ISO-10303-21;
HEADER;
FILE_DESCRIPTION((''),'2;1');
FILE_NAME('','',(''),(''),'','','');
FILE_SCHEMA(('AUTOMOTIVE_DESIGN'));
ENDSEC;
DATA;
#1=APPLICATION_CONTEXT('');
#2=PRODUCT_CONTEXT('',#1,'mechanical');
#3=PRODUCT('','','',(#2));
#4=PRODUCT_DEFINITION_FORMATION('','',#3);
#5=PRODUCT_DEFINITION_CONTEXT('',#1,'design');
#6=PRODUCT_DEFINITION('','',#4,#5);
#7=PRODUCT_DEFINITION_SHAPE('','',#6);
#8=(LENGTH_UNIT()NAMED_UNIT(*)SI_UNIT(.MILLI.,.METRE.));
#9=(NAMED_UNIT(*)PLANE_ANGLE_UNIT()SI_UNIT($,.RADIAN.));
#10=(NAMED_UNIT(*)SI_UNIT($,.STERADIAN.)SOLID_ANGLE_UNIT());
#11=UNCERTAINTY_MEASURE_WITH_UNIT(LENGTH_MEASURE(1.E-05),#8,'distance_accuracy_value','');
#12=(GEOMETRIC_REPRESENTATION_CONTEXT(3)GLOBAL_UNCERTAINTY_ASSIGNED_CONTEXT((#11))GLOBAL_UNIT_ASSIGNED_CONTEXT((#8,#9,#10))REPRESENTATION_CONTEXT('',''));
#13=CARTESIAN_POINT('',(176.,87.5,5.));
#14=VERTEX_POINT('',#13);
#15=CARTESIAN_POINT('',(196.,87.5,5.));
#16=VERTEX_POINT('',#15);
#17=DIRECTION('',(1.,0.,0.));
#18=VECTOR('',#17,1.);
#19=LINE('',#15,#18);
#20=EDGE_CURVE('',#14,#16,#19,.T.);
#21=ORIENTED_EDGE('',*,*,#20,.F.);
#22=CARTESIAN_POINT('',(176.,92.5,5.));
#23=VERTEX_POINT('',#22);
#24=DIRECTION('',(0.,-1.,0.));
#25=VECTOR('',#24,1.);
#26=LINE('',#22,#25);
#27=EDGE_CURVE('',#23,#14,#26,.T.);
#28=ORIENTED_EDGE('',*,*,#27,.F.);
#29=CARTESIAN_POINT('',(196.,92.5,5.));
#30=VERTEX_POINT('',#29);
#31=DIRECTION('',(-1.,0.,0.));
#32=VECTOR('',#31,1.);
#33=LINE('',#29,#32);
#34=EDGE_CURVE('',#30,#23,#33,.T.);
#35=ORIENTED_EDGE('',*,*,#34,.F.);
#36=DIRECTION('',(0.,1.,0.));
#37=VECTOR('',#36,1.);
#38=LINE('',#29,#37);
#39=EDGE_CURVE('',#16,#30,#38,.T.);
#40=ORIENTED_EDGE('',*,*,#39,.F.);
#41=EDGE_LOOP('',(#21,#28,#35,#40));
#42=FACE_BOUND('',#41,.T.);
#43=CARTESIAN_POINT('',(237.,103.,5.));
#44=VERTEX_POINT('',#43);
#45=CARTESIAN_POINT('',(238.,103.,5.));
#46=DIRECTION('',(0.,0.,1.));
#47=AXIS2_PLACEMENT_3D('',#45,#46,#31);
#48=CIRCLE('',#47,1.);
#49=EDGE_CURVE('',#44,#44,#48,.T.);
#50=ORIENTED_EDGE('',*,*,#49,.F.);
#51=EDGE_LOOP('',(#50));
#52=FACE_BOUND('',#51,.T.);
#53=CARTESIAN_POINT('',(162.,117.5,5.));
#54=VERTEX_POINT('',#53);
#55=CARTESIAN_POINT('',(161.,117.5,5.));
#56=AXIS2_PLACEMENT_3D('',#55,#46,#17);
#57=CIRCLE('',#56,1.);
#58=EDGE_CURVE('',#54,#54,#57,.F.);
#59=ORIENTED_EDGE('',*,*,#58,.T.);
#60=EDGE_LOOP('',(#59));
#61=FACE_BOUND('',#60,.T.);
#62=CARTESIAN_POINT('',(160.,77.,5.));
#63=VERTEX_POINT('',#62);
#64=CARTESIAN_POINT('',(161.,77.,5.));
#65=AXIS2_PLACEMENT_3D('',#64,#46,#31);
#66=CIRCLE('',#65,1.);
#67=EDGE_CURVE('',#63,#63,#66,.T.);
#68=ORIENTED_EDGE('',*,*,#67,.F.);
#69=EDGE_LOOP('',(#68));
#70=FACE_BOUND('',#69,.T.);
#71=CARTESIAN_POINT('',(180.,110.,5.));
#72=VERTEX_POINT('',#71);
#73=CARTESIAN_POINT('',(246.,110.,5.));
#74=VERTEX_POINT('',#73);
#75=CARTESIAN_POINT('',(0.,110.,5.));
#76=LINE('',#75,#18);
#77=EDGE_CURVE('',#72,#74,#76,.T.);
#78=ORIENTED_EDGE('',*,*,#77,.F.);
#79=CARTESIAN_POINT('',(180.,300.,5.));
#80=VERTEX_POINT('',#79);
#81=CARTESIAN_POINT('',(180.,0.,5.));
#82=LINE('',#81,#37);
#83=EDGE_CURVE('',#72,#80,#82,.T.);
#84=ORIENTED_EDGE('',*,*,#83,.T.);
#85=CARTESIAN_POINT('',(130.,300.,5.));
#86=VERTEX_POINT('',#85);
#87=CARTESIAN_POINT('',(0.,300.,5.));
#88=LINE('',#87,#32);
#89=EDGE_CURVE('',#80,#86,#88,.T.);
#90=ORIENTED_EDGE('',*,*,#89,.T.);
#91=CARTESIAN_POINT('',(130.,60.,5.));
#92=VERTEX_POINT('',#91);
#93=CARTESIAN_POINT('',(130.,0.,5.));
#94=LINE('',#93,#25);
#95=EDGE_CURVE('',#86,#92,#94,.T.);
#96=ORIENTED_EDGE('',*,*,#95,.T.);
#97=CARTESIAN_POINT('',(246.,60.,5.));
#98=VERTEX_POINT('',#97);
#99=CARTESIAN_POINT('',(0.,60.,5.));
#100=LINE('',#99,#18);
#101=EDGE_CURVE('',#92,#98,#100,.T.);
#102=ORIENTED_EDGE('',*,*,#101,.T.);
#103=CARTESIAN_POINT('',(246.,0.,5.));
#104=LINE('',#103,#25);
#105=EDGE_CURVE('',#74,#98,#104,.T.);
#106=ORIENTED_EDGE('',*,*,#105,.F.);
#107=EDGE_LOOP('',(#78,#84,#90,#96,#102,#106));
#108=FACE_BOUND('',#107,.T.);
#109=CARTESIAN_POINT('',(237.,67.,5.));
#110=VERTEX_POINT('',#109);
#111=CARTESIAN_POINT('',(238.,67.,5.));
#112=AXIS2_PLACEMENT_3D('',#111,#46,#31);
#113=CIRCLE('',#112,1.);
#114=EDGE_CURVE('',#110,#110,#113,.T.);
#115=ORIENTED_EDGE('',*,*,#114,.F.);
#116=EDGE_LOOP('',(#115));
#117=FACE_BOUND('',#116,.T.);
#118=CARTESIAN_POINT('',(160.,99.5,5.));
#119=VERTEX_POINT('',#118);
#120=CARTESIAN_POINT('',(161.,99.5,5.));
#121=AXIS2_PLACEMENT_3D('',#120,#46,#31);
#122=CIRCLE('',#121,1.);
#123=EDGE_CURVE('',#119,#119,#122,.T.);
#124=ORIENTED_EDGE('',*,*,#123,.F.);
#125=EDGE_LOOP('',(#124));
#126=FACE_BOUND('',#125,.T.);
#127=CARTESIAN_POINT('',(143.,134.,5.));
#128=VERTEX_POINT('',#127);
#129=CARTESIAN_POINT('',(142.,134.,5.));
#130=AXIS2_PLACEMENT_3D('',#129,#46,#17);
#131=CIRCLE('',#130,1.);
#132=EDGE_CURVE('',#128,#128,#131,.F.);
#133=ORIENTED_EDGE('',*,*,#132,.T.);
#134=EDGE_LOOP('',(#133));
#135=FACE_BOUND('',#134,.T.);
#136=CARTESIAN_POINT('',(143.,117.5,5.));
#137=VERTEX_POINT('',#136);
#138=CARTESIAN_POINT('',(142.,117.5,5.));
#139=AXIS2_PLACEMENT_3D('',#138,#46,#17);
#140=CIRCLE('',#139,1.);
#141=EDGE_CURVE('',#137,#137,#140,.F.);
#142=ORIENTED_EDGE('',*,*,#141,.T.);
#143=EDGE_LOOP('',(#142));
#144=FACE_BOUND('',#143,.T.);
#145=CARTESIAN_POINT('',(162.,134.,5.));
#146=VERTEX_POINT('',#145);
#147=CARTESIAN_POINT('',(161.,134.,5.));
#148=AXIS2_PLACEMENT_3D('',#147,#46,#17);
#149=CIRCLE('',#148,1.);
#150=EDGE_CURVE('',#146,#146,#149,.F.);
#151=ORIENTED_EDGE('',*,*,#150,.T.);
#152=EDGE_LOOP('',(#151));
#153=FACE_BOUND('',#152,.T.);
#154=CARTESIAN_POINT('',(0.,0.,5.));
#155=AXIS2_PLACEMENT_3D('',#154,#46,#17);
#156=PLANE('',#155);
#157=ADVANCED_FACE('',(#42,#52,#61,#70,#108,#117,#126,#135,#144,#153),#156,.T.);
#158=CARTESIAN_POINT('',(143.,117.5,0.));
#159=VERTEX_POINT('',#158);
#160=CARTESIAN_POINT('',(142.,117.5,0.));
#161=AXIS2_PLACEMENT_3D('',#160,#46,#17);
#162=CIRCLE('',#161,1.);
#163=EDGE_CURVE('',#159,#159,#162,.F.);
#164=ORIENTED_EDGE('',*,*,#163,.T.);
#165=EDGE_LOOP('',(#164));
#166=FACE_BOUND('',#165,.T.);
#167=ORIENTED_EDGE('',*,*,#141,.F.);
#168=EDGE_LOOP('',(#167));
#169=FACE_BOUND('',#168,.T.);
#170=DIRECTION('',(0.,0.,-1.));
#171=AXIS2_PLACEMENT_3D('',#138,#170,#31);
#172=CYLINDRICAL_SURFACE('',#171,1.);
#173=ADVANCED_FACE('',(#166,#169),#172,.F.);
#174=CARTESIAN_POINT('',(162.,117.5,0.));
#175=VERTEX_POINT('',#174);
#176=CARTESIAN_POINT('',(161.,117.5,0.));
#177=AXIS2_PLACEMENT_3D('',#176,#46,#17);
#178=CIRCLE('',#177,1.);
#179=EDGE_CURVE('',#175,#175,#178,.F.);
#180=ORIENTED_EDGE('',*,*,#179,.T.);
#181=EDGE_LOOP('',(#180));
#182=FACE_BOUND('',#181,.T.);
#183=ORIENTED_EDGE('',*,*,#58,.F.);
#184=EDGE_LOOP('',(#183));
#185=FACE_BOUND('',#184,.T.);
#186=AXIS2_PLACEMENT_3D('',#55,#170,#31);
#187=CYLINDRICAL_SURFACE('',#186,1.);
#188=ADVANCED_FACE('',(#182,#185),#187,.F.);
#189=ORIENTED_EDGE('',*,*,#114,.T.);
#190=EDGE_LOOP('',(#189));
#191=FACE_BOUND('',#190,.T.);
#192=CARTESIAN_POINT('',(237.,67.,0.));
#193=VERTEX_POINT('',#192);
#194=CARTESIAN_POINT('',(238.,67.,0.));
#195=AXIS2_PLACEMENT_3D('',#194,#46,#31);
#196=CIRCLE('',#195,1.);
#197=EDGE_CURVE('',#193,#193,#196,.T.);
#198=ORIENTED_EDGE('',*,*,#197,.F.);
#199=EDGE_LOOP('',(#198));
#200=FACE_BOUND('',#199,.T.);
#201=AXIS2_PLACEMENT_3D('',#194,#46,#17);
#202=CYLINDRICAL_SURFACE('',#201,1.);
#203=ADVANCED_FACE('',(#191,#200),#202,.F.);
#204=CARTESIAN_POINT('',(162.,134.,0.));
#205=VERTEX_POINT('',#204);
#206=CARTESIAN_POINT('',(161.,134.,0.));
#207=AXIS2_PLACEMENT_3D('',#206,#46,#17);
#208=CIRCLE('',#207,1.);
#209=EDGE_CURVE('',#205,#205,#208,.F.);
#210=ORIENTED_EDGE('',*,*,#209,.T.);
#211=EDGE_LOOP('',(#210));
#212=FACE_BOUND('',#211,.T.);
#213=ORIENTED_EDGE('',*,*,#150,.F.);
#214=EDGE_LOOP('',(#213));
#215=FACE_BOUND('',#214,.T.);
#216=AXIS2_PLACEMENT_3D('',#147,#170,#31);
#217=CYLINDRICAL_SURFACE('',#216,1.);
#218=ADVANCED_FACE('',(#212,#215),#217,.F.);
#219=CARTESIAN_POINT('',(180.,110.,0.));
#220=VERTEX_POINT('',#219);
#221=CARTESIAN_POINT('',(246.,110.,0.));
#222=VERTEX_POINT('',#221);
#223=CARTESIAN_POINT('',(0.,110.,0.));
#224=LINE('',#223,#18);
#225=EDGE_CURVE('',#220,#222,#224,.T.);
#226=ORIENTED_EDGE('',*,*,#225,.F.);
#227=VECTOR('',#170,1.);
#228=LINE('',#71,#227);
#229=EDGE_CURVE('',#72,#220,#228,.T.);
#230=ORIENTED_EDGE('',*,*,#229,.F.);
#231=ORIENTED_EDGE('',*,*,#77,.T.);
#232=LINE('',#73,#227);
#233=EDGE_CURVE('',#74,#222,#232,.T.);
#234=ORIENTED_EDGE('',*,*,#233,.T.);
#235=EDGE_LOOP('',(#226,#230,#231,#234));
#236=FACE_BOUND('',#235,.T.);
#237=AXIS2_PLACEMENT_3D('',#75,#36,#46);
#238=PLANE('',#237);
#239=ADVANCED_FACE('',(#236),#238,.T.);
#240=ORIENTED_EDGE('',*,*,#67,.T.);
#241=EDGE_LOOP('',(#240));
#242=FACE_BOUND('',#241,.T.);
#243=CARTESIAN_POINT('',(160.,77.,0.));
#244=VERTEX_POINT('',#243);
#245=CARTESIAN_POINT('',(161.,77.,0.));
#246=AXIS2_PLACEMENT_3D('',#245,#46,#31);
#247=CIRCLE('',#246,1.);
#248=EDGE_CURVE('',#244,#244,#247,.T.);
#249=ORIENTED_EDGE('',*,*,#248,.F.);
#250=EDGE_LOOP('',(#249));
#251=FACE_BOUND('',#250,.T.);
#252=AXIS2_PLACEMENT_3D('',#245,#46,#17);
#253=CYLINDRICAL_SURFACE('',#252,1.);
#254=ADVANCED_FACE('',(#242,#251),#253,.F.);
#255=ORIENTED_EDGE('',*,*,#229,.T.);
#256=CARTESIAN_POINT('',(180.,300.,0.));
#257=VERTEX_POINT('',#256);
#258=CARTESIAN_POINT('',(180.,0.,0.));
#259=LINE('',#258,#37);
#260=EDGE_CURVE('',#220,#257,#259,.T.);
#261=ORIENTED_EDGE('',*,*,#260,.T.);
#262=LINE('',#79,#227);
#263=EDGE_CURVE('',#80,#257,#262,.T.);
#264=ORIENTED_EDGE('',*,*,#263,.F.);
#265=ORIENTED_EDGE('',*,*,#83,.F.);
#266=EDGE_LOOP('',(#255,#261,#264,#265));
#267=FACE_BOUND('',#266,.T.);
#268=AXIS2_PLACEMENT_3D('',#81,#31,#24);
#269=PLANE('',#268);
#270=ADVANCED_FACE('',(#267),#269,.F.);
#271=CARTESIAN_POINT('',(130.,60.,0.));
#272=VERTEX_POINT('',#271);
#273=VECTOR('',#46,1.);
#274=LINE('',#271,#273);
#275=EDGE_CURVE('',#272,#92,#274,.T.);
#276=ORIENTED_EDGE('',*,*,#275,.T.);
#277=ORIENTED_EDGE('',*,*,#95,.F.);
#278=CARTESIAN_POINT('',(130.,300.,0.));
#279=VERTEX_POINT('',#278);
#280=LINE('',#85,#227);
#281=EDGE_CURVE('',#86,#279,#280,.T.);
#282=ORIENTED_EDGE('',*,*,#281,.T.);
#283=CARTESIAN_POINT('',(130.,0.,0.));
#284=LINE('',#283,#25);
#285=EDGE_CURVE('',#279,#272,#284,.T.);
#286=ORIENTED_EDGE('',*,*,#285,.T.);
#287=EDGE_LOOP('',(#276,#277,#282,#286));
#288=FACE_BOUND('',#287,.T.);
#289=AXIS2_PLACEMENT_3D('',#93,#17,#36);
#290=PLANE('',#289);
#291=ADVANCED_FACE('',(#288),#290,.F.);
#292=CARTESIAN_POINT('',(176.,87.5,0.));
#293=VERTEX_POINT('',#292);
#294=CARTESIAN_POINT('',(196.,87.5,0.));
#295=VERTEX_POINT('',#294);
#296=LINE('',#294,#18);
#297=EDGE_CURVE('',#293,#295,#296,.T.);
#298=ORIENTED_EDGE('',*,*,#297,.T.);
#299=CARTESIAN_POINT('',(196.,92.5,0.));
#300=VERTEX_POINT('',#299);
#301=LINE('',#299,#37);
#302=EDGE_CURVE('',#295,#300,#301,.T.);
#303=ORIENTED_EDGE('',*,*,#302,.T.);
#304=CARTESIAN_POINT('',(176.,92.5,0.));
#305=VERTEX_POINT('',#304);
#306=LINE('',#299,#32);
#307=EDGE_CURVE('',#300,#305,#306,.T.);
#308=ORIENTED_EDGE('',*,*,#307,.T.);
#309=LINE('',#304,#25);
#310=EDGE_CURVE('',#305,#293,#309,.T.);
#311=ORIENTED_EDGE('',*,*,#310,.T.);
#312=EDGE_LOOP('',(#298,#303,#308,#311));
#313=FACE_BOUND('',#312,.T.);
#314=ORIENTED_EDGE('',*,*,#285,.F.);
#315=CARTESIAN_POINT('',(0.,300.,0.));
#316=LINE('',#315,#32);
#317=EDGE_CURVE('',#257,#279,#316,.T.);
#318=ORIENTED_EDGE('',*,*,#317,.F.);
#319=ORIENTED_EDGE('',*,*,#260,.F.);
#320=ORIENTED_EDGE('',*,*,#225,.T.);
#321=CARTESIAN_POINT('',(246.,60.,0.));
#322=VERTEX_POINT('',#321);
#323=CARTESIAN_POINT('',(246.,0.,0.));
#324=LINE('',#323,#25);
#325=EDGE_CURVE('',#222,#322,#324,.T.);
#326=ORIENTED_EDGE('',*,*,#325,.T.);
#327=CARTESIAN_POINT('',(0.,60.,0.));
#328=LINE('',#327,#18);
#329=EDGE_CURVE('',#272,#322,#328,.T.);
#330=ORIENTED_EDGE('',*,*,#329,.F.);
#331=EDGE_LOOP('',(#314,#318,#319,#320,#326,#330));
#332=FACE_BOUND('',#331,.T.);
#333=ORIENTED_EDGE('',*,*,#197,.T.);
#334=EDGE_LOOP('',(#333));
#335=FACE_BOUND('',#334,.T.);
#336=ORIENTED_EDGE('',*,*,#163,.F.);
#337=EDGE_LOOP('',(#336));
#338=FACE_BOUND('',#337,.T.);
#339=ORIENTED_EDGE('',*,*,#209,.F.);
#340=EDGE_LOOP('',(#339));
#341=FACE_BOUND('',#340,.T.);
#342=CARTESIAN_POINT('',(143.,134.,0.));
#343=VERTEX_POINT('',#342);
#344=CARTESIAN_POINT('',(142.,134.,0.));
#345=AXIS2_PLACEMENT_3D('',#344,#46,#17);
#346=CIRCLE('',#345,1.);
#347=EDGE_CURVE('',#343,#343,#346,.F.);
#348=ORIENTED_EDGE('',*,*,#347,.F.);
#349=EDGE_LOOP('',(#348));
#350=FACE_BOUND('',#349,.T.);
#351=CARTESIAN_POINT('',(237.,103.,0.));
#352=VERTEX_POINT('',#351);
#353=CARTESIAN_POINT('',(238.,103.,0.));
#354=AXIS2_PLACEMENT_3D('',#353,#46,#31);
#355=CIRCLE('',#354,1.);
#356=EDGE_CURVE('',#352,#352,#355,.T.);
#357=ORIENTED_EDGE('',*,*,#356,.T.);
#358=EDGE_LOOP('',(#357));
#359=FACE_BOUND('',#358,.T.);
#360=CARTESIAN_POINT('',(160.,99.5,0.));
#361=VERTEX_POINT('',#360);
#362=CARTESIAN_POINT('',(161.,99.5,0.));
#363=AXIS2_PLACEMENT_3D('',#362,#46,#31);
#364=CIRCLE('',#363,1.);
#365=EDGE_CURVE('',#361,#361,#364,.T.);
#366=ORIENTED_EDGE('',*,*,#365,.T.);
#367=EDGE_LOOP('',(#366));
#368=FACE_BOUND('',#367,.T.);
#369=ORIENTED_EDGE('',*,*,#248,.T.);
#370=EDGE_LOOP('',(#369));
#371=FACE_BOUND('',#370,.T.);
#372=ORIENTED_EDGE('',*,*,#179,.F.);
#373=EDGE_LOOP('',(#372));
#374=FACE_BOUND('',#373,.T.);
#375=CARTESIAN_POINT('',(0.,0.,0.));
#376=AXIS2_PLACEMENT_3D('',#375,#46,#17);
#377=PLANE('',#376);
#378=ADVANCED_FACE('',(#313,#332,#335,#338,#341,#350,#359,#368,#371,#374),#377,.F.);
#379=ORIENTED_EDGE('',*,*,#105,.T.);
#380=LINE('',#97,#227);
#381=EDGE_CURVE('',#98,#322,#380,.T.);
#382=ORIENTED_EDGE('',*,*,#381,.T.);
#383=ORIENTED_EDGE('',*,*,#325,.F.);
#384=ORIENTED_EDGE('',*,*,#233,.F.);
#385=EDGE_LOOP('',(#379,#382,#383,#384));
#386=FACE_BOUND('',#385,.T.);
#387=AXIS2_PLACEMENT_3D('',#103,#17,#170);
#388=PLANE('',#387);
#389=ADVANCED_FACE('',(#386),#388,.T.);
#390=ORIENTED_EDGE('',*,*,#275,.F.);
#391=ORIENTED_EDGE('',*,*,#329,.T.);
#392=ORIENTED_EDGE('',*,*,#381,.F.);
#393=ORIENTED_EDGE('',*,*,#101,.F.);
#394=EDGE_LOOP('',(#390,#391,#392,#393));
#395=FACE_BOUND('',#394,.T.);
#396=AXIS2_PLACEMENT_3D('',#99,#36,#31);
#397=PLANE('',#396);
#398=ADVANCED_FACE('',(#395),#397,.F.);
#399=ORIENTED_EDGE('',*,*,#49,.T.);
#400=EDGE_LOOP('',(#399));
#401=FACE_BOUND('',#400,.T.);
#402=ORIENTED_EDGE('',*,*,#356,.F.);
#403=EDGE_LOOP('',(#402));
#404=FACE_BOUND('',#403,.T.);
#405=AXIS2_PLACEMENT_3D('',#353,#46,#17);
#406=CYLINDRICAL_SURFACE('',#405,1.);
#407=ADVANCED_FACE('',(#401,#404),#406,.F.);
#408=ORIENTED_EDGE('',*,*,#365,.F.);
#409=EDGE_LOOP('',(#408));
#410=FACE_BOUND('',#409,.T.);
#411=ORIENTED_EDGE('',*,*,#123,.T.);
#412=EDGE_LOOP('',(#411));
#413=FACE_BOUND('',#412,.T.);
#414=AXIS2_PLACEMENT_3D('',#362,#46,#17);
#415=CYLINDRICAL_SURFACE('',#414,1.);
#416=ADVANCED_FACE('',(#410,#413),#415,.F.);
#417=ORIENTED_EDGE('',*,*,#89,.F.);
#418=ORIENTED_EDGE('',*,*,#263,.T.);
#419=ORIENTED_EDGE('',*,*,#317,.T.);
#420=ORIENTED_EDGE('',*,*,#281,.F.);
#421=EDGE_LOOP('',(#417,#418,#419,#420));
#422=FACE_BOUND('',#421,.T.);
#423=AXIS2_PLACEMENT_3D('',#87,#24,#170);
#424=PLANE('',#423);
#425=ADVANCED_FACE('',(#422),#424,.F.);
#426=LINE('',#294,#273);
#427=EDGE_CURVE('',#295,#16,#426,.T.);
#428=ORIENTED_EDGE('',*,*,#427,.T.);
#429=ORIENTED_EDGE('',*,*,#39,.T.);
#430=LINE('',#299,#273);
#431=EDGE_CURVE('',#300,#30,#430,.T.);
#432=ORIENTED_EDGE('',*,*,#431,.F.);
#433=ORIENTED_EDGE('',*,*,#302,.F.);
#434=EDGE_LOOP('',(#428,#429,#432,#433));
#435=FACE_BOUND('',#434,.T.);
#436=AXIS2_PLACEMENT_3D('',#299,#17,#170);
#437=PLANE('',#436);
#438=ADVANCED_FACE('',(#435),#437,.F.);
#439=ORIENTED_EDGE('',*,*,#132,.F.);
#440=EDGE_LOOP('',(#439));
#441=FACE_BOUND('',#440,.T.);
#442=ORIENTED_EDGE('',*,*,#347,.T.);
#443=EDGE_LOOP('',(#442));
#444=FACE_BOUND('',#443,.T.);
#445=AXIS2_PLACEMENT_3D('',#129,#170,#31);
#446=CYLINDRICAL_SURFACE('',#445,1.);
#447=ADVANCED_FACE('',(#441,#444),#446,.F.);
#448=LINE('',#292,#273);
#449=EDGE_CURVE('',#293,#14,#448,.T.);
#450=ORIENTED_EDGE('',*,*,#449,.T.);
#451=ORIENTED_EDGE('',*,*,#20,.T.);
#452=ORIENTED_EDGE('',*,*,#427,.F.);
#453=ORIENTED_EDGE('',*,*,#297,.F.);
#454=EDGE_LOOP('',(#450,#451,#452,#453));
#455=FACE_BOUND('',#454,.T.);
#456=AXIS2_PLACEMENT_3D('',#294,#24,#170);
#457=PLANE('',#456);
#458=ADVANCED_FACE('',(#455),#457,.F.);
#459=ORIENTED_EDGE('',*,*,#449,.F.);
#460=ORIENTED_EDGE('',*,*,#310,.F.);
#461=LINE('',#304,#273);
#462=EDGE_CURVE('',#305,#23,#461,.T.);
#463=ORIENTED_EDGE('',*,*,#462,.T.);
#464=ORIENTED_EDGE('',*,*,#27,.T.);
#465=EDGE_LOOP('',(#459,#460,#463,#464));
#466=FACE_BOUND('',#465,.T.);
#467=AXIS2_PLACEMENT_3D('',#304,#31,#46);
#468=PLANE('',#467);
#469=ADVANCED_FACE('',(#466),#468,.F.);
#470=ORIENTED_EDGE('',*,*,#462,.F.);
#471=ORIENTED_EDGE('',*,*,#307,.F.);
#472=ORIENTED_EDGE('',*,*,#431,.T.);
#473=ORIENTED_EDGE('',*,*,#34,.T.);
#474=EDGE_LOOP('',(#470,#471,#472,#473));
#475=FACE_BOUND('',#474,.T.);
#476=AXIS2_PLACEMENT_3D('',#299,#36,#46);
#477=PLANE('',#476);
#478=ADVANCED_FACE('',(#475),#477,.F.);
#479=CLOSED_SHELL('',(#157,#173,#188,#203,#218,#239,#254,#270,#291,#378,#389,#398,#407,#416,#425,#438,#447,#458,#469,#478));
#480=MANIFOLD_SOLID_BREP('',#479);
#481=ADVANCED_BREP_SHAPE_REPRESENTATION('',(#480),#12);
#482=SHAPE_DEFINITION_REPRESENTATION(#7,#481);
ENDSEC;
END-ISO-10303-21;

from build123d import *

# Parameters (mm, degrees)
SKETCH1_W           = 66
SKETCH1_H           = 50
SKETCH1_R           = 1
BOSS_EXTRUDE1_DEPTH = 5
SKETCH2_R           = 1
CUT_EXTRUDE1_DEPTH  = 388.996134001
SKETCH3_R           = 1
SKETCH3_W           = 20
SKETCH3_H           = 5
CUT_EXTRUDE2_DEPTH  = 388.996134001
CUT_EXTRUDE3_DEPTH  = 388.996134001


with BuildPart() as part:
    # Sketch1 → Boss-Extrude1 (new body)
    # profile 1 of 3: a face of its own
    with BuildSketch(Plane.XY):
        with Locations((-33, 85)):
            Rectangle(SKETCH1_W, SKETCH1_H)
    # profile 2 of 3: a face of its own
    with BuildSketch(Plane.XY):
        Polygon((0, 60), (0, 0), (180, 0), (180, 60), (180, 110), (180, 300), (130, 300), (130, 150), (50, 150), (50, 300), (0, 300), (0, 110), align=None)
        with Locations((19, 117.5)):
            Circle(SKETCH1_R, mode=Mode.SUBTRACT)
        with Locations((38, 117.5)):
            Circle(SKETCH1_R, mode=Mode.SUBTRACT)
        with Locations((19, 134)):
            Circle(SKETCH1_R, mode=Mode.SUBTRACT)
        with Locations((38, 134)):
            Circle(SKETCH1_R, mode=Mode.SUBTRACT)
        with Locations((142, 117.5)):
            Circle(SKETCH1_R, mode=Mode.SUBTRACT)
        with Locations((161, 117.5)):
            Circle(SKETCH1_R, mode=Mode.SUBTRACT)
        with Locations((142, 134)):
            Circle(SKETCH1_R, mode=Mode.SUBTRACT)
        with Locations((161, 134)):
            Circle(SKETCH1_R, mode=Mode.SUBTRACT)
    # profile 3 of 3: a face of its own
    with BuildSketch(Plane.XY):
        with Locations((213, 85)):
            Rectangle(SKETCH1_W, SKETCH1_H)
    extrude(amount=BOSS_EXTRUDE1_DEPTH)

    # Sketch2 → Cut-Extrude1 (cut, through all)
    with BuildSketch(Plane.XY.offset(5)):
        with Locations((-58, 103)):
            Circle(SKETCH2_R)
        with Locations((-58, 67)):
            Circle(SKETCH2_R)
        with Locations(Location((238, 67, 0), (0, 0, 180))):
            Circle(SKETCH2_R)
        with Locations(Location((238, 103, 0), (0, 0, 180))):
            Circle(SKETCH2_R)
    extrude(amount=-CUT_EXTRUDE1_DEPTH, mode=Mode.SUBTRACT)

    # Sketch3 → Cut-Extrude2 (cut, through all)
    with BuildSketch(Plane.XY.offset(5)):
        with Locations((19, 77)):
            Circle(SKETCH3_R)
        with Locations((19, 99.5)):
            Circle(SKETCH3_R)
        with Locations(Location((161, 77, 0), (0, 0, 180))):
            Circle(SKETCH3_R)
        with Locations(Location((161, 99.5, 0), (0, 0, 180))):
            Circle(SKETCH3_R)
        with Locations((-6, 90)):
            Rectangle(SKETCH3_W, SKETCH3_H)
        with Locations((186, 90)):
            Rectangle(SKETCH3_W, SKETCH3_H)
    extrude(amount=-CUT_EXTRUDE2_DEPTH, mode=Mode.SUBTRACT)

    # Sketch4 → Cut-Extrude3 (cut, through all)
    with BuildSketch(Plane.XY.offset(5)):
        Polygon((180, 60), (130, 60), (130, 150), (65.062754068, 311.897276324), (-51.051297303, 321.248743549), (-107.939389585, -9.16976505), (175.332138424, -20.859099081), (198.321162017, 8.753880463), align=None)
    extrude(amount=-CUT_EXTRUDE3_DEPTH, mode=Mode.SUBTRACT)


solid = part.part
